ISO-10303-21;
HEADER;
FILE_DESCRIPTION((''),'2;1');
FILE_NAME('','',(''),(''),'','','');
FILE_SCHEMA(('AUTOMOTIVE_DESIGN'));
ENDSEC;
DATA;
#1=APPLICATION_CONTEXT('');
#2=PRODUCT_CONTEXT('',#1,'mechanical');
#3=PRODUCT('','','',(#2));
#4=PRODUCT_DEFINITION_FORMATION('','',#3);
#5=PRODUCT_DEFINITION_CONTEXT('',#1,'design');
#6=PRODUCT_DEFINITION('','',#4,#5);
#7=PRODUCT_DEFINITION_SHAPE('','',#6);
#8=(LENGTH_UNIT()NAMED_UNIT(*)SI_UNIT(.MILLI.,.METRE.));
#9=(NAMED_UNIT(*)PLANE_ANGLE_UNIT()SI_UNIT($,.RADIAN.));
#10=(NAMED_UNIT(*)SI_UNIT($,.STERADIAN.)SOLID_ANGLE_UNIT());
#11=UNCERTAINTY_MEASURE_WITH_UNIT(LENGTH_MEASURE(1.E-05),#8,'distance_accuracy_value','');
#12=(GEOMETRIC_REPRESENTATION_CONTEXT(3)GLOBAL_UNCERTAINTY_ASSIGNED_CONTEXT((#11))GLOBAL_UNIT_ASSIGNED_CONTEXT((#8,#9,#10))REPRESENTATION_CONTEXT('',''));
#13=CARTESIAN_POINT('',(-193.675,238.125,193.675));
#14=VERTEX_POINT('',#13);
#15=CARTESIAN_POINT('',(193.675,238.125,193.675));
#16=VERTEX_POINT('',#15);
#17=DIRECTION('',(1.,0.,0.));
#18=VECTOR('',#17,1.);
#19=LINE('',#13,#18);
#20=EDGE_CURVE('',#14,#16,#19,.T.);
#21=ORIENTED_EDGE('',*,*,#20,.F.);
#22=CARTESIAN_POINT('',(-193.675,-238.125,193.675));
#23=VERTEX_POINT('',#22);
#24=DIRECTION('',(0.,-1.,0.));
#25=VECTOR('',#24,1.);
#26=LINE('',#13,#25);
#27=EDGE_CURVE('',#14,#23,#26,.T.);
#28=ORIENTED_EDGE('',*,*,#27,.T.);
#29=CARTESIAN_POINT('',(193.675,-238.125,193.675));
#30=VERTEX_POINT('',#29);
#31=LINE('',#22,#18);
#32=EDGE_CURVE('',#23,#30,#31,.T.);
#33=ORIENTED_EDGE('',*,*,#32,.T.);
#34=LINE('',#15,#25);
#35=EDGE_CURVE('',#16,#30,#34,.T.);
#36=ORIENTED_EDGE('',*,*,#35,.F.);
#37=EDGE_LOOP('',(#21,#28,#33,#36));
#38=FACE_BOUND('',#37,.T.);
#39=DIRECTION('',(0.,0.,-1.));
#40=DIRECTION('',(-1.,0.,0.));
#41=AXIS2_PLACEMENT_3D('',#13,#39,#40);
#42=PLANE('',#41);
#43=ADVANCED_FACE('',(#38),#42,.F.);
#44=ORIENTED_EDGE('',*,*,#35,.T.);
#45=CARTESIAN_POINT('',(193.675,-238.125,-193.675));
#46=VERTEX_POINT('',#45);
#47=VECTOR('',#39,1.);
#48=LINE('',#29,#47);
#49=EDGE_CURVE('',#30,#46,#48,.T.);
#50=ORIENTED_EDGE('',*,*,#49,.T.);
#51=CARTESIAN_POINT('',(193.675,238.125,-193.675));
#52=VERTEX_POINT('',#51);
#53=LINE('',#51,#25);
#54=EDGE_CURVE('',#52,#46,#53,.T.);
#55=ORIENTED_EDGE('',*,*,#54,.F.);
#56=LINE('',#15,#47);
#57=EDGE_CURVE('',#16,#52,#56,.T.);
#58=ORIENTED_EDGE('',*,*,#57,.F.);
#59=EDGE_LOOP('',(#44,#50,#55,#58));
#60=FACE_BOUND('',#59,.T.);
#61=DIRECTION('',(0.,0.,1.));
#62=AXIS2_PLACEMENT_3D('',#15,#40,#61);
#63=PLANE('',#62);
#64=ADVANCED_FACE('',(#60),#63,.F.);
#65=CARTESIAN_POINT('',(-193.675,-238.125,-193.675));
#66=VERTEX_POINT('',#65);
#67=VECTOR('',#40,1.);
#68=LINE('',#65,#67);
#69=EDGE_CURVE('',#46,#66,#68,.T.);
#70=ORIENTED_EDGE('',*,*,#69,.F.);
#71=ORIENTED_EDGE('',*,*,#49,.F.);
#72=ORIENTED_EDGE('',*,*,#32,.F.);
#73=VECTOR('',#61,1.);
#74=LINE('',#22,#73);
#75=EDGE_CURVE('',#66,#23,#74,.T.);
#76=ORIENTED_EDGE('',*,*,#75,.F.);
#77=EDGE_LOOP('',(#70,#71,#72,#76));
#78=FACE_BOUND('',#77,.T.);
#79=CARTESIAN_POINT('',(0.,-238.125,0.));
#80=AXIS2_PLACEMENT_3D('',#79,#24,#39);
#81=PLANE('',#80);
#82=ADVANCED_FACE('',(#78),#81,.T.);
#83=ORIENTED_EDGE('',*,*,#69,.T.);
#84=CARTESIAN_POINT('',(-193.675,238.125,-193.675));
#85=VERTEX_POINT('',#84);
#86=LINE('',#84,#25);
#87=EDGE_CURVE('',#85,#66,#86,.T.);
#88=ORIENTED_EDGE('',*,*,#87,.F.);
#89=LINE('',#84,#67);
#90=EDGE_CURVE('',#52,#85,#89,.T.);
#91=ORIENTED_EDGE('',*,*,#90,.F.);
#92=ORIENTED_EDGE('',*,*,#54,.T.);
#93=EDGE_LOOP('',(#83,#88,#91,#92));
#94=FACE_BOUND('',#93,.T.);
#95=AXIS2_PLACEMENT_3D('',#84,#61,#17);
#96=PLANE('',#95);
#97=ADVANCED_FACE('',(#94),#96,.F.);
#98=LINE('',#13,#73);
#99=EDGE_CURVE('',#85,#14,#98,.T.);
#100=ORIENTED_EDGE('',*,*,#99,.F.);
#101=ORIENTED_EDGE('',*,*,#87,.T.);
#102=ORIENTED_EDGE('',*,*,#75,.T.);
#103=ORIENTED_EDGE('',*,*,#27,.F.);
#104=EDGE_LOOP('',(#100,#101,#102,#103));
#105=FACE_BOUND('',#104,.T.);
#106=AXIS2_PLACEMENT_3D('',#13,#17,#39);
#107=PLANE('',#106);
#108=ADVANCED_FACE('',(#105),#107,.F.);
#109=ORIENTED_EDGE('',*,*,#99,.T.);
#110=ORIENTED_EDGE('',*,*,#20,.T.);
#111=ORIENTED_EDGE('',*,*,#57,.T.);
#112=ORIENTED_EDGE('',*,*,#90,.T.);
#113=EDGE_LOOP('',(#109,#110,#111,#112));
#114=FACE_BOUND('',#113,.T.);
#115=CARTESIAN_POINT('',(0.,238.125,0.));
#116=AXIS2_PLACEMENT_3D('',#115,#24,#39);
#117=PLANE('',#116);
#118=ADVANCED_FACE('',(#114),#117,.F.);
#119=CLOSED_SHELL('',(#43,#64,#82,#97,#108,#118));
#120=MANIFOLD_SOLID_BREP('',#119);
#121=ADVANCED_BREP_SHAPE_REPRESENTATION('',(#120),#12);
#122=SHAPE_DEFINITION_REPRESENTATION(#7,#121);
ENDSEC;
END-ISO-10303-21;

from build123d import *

# Parameters (mm, degrees)
SKETCH3_W           = 387.35
SKETCH3_H           = 387.35
BOSS_EXTRUDE1_DEPTH = 238.125


with BuildPart() as part:
    # Sketch3 → Boss-Extrude1 (new body, symmetric)
    with BuildSketch(Plane(origin=(0, 0, 0), x_dir=(1, 0, 0), z_dir=(0, 1, 0))):
        Rectangle(SKETCH3_W, SKETCH3_H)
    extrude(amount=BOSS_EXTRUDE1_DEPTH, both=True)


solid = part.part
